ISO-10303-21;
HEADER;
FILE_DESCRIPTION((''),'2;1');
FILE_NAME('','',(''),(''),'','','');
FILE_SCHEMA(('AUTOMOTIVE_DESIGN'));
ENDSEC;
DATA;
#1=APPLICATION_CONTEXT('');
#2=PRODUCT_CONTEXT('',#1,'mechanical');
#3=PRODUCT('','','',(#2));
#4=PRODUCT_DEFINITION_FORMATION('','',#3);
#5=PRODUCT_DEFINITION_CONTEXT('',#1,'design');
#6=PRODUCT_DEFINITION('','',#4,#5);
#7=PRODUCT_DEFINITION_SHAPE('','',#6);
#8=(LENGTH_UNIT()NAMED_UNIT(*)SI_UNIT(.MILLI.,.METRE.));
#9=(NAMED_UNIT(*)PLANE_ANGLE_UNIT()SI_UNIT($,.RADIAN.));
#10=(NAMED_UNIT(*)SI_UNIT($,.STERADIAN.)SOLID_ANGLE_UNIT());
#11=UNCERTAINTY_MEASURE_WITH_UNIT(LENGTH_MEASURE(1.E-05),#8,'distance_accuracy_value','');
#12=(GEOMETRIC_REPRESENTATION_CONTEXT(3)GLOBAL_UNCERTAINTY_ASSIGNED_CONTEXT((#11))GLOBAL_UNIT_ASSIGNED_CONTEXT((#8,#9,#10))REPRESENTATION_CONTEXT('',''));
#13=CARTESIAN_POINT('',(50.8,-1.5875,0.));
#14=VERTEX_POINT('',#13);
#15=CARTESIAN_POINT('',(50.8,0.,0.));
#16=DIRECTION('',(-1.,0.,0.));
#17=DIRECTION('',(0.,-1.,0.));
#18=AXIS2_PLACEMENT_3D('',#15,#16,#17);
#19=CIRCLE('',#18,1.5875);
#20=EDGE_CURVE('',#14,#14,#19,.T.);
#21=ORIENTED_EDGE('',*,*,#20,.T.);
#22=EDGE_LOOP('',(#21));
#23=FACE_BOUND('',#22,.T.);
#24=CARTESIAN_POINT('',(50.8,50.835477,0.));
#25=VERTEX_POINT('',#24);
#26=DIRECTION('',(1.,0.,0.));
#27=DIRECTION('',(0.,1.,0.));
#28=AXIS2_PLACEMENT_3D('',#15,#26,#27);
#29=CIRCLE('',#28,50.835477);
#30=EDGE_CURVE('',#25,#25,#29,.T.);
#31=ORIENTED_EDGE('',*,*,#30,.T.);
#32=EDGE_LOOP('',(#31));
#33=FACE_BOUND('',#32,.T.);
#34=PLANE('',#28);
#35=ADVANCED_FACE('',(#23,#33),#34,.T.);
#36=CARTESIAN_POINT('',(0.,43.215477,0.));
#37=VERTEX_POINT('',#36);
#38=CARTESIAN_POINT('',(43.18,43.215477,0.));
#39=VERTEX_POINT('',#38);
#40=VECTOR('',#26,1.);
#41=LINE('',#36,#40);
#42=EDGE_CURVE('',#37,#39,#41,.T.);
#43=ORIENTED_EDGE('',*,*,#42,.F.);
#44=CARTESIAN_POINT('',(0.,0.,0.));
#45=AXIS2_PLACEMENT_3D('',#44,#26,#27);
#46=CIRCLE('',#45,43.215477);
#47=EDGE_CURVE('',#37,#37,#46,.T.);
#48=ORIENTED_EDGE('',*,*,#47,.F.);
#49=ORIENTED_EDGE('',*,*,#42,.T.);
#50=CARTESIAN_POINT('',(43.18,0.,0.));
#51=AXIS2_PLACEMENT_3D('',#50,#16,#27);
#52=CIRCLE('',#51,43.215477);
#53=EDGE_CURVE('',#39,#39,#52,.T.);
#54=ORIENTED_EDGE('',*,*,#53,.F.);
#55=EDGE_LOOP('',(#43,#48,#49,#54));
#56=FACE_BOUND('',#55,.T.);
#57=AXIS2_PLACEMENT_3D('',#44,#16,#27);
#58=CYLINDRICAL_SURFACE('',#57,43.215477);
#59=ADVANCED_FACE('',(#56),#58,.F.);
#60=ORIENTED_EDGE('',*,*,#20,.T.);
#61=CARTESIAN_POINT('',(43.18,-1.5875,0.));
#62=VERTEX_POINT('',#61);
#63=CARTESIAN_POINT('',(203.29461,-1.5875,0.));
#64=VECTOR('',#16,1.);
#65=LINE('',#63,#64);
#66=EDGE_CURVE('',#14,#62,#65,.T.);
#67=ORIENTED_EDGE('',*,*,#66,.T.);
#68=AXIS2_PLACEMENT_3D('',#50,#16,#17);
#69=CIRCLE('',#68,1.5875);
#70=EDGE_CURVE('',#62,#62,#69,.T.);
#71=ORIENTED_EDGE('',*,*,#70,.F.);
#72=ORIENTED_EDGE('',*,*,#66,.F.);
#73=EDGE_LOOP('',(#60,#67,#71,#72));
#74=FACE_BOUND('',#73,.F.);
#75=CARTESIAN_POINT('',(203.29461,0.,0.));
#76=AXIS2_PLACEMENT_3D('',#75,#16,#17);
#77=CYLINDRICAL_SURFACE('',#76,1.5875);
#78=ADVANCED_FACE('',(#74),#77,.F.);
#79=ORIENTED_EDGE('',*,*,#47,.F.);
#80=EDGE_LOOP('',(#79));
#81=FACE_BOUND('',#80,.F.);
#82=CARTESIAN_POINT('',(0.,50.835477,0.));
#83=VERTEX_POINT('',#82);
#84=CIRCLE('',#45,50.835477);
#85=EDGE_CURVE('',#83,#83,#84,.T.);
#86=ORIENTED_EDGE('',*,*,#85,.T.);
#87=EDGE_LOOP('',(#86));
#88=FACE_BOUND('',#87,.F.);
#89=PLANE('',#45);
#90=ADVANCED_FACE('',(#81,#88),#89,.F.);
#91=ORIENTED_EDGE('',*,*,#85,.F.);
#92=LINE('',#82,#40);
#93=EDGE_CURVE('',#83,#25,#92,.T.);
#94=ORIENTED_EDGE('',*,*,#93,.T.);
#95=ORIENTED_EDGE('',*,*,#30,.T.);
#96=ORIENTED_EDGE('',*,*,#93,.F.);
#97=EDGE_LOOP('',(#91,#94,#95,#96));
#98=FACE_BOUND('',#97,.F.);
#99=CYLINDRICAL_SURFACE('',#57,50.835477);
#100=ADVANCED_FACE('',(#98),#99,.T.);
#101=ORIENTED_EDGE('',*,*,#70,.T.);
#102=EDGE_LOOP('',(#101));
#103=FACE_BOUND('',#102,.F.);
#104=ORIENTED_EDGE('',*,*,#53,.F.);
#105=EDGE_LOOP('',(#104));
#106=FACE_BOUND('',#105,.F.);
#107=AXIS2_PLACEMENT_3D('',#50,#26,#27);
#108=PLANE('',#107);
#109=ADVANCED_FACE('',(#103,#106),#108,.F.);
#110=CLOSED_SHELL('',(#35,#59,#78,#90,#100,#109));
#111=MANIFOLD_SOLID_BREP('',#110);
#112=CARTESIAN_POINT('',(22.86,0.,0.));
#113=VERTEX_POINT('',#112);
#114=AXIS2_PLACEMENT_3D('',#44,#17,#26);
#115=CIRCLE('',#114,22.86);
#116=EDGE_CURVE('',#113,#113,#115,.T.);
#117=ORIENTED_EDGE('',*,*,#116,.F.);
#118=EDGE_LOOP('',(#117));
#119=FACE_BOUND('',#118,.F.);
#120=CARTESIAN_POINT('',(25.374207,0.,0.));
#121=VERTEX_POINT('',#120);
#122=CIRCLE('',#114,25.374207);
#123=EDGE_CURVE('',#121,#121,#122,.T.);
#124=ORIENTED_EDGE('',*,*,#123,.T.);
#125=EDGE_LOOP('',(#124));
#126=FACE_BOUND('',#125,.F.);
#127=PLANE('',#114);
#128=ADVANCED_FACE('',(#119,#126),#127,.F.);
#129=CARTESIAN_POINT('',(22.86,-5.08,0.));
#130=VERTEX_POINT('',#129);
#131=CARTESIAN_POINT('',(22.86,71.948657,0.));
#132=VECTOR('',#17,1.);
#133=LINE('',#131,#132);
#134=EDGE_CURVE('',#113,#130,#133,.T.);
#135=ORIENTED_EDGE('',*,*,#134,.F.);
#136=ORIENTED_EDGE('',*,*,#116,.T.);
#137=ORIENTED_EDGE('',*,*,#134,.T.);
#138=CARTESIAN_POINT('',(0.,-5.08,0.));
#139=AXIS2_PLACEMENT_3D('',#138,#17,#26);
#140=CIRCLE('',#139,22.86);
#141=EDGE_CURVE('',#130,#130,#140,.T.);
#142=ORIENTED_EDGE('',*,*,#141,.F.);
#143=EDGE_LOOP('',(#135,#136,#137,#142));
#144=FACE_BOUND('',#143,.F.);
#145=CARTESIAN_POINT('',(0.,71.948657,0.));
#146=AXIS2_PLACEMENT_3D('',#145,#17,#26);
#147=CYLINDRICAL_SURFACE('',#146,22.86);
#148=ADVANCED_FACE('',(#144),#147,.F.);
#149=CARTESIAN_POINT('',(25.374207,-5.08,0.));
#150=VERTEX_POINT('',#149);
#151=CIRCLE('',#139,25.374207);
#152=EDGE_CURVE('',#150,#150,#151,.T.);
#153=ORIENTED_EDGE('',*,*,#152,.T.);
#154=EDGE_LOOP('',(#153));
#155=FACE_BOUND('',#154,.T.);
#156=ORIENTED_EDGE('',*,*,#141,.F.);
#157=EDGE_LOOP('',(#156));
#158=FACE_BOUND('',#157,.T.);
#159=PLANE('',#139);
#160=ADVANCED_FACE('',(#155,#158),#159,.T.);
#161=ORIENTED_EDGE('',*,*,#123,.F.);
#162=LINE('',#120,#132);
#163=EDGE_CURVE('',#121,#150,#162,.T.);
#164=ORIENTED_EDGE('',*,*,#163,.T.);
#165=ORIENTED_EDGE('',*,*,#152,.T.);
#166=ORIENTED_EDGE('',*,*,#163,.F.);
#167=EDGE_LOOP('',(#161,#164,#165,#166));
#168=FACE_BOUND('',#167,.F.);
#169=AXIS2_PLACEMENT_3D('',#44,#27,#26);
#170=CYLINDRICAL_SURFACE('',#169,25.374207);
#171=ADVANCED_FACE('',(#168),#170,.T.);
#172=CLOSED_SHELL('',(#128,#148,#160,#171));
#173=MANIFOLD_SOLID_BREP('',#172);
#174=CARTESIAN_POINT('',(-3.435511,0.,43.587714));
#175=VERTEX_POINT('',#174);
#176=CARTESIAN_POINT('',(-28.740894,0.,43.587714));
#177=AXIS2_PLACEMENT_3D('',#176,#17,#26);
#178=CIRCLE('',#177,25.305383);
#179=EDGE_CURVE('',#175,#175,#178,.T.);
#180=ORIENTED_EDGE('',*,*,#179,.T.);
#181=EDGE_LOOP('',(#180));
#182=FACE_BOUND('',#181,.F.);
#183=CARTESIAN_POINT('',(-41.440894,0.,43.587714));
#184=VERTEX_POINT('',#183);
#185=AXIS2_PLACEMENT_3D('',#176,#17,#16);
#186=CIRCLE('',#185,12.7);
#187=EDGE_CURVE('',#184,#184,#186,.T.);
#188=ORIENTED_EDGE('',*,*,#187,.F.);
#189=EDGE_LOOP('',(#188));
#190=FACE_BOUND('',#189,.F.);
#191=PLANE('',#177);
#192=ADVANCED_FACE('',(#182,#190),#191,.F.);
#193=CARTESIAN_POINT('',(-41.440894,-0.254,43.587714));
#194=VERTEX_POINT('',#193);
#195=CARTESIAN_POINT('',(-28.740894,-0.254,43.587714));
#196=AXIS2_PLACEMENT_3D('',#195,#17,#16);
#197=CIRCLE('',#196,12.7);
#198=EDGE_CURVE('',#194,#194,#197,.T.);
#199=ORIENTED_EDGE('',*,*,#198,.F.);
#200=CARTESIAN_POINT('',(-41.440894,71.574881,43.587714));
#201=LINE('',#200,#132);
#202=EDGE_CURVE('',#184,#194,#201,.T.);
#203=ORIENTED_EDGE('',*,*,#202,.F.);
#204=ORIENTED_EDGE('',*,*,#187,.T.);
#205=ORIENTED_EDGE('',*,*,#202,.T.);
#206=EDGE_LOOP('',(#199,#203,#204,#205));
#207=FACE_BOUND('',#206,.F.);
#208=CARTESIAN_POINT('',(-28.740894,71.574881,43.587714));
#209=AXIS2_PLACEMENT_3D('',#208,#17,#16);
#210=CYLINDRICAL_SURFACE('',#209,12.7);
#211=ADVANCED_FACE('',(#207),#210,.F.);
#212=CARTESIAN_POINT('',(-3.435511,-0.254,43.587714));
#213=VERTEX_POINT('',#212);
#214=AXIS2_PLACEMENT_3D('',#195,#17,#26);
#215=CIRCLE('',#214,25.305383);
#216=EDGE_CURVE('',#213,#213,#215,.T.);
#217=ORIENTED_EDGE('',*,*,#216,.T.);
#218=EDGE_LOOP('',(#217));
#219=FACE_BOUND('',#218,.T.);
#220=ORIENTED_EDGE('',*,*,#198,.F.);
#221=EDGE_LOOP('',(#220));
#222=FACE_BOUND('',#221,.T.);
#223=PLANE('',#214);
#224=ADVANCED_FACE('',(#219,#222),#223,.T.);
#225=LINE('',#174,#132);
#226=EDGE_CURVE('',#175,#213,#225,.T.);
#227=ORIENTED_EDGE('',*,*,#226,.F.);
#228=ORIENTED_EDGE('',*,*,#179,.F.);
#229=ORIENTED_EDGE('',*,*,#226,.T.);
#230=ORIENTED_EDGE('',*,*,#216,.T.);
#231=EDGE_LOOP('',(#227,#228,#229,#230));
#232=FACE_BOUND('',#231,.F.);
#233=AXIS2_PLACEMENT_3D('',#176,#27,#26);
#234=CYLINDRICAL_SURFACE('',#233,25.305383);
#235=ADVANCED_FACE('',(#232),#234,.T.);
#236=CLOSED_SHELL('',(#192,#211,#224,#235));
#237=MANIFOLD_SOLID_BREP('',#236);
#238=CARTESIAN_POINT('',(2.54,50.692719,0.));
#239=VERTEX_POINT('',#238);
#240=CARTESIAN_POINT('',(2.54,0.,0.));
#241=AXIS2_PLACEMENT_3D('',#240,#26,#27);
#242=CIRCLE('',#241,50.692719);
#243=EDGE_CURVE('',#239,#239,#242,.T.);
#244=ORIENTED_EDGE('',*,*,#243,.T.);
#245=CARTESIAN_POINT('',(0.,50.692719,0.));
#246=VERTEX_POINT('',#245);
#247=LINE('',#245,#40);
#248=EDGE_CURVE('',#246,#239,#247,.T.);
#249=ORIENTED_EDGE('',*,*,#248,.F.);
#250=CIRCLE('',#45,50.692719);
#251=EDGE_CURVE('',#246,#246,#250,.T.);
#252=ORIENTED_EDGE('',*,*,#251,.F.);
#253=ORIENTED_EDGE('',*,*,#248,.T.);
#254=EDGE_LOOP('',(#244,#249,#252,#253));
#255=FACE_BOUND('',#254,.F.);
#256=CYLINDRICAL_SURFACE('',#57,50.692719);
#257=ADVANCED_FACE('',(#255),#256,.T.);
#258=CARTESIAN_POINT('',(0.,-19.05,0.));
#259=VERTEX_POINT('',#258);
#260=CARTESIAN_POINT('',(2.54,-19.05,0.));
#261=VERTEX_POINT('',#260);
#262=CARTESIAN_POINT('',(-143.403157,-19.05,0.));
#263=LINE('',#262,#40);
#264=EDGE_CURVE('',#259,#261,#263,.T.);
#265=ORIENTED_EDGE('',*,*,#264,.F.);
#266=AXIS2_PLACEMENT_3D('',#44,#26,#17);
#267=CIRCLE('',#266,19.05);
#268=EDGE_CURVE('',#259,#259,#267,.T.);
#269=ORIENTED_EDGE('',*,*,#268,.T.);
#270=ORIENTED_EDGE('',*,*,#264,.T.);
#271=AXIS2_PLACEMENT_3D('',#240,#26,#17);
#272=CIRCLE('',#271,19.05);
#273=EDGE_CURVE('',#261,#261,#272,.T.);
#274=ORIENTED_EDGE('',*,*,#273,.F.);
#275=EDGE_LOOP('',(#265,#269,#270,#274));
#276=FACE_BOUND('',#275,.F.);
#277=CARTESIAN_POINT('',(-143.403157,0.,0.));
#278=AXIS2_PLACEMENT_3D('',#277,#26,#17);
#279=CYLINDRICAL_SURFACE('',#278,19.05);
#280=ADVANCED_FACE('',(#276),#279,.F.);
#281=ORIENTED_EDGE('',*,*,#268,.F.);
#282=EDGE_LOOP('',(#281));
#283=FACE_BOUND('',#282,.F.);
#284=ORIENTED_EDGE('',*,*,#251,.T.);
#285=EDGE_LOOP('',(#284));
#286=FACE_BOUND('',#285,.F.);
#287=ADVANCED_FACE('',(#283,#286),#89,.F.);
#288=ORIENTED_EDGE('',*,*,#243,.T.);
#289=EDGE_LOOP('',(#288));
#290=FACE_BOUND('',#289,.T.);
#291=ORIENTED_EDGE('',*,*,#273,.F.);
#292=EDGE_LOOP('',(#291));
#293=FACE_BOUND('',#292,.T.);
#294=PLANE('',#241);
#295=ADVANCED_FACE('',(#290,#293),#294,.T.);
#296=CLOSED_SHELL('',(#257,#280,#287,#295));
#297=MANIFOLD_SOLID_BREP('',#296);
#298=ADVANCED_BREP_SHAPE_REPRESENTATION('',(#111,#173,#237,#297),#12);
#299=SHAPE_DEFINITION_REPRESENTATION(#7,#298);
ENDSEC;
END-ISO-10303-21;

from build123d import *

# Parameters (mm, degrees)
F0_R      = 50.8354773478
F1_DEPTH  = 50.8
F2_T      = -7.62
F3_R      = 25.3742065127
F4_DEPTH  = 5.08
F6_D      = 45.72
F7_R      = 25.3749956212
F8_DEPTH  = 1.27
F9_R      = 25.3053826343
F10_DEPTH = 0.254
F11_D     = 25.4
F12_R     = 50.6927186413
F13_DEPTH = 2.54
F14_D     = 38.1
F19_D     = 3.175


with BuildPart() as f1:
    # F0 (on Right) → F1 (new body)
    with BuildSketch(Plane.YZ):
        Circle(F0_R)
    extrude(amount=F1_DEPTH)

    # F2
    f2_openings = [f1.faces().sort_by_distance(p)[0] for p in [
        (0, 0, 0),
    ]]
    offset(amount=F2_T, openings=f2_openings)

    # F19 (through all)
    with Locations(Plane.YZ.offset(50.8)):
        with Locations((0, 0)):
            Hole(F19_D / 2)


with BuildPart() as f4:
    # F3 (on Front) → F4 (new body)
    with BuildSketch(Plane.XZ):
        Circle(F3_R)
    extrude(amount=F4_DEPTH)

    # F6 (through all)
    with Locations(Plane(origin=(0, 0, 0), x_dir=(-1, 0, 0), z_dir=(0, 1, 0))):
        with Locations((0, 0)):
            Hole(F6_D / 2)


with BuildPart() as f8:
    # F7 (on Front) → F8 (new body)
    with BuildSketch(Plane.XZ):
        Circle(F7_R)
    extrude(amount=-F8_DEPTH)


with BuildPart() as f10:
    # F9 (on Front) → F10 (new body)
    with BuildSketch(Plane.XZ):
        with Locations((-28.7408940494, 43.5877144337)):
            Circle(F9_R)
    extrude(amount=F10_DEPTH)

    # F11 (through all)
    with Locations(Plane(origin=(0, 0, 0), x_dir=(1, 0, 0), z_dir=(0, 1, 0))):
        with Locations((-28.7408940494, -43.5877144337)):
            Hole(F11_D / 2)


with BuildPart() as f13:
    # F12 (on Right) → F13 (new body)
    with BuildSketch(Plane.YZ):
        Circle(F12_R)
    extrude(amount=F13_DEPTH)

    # F14 (through all)
    with Locations(Plane(origin=(0, 0, 0), x_dir=(0, 1, 0), z_dir=(-1, 0, 0))):
        with Locations((0, 0)):
            Hole(F14_D / 2)


solid = Compound([f1.part, f4.part, f10.part, f13.part])
